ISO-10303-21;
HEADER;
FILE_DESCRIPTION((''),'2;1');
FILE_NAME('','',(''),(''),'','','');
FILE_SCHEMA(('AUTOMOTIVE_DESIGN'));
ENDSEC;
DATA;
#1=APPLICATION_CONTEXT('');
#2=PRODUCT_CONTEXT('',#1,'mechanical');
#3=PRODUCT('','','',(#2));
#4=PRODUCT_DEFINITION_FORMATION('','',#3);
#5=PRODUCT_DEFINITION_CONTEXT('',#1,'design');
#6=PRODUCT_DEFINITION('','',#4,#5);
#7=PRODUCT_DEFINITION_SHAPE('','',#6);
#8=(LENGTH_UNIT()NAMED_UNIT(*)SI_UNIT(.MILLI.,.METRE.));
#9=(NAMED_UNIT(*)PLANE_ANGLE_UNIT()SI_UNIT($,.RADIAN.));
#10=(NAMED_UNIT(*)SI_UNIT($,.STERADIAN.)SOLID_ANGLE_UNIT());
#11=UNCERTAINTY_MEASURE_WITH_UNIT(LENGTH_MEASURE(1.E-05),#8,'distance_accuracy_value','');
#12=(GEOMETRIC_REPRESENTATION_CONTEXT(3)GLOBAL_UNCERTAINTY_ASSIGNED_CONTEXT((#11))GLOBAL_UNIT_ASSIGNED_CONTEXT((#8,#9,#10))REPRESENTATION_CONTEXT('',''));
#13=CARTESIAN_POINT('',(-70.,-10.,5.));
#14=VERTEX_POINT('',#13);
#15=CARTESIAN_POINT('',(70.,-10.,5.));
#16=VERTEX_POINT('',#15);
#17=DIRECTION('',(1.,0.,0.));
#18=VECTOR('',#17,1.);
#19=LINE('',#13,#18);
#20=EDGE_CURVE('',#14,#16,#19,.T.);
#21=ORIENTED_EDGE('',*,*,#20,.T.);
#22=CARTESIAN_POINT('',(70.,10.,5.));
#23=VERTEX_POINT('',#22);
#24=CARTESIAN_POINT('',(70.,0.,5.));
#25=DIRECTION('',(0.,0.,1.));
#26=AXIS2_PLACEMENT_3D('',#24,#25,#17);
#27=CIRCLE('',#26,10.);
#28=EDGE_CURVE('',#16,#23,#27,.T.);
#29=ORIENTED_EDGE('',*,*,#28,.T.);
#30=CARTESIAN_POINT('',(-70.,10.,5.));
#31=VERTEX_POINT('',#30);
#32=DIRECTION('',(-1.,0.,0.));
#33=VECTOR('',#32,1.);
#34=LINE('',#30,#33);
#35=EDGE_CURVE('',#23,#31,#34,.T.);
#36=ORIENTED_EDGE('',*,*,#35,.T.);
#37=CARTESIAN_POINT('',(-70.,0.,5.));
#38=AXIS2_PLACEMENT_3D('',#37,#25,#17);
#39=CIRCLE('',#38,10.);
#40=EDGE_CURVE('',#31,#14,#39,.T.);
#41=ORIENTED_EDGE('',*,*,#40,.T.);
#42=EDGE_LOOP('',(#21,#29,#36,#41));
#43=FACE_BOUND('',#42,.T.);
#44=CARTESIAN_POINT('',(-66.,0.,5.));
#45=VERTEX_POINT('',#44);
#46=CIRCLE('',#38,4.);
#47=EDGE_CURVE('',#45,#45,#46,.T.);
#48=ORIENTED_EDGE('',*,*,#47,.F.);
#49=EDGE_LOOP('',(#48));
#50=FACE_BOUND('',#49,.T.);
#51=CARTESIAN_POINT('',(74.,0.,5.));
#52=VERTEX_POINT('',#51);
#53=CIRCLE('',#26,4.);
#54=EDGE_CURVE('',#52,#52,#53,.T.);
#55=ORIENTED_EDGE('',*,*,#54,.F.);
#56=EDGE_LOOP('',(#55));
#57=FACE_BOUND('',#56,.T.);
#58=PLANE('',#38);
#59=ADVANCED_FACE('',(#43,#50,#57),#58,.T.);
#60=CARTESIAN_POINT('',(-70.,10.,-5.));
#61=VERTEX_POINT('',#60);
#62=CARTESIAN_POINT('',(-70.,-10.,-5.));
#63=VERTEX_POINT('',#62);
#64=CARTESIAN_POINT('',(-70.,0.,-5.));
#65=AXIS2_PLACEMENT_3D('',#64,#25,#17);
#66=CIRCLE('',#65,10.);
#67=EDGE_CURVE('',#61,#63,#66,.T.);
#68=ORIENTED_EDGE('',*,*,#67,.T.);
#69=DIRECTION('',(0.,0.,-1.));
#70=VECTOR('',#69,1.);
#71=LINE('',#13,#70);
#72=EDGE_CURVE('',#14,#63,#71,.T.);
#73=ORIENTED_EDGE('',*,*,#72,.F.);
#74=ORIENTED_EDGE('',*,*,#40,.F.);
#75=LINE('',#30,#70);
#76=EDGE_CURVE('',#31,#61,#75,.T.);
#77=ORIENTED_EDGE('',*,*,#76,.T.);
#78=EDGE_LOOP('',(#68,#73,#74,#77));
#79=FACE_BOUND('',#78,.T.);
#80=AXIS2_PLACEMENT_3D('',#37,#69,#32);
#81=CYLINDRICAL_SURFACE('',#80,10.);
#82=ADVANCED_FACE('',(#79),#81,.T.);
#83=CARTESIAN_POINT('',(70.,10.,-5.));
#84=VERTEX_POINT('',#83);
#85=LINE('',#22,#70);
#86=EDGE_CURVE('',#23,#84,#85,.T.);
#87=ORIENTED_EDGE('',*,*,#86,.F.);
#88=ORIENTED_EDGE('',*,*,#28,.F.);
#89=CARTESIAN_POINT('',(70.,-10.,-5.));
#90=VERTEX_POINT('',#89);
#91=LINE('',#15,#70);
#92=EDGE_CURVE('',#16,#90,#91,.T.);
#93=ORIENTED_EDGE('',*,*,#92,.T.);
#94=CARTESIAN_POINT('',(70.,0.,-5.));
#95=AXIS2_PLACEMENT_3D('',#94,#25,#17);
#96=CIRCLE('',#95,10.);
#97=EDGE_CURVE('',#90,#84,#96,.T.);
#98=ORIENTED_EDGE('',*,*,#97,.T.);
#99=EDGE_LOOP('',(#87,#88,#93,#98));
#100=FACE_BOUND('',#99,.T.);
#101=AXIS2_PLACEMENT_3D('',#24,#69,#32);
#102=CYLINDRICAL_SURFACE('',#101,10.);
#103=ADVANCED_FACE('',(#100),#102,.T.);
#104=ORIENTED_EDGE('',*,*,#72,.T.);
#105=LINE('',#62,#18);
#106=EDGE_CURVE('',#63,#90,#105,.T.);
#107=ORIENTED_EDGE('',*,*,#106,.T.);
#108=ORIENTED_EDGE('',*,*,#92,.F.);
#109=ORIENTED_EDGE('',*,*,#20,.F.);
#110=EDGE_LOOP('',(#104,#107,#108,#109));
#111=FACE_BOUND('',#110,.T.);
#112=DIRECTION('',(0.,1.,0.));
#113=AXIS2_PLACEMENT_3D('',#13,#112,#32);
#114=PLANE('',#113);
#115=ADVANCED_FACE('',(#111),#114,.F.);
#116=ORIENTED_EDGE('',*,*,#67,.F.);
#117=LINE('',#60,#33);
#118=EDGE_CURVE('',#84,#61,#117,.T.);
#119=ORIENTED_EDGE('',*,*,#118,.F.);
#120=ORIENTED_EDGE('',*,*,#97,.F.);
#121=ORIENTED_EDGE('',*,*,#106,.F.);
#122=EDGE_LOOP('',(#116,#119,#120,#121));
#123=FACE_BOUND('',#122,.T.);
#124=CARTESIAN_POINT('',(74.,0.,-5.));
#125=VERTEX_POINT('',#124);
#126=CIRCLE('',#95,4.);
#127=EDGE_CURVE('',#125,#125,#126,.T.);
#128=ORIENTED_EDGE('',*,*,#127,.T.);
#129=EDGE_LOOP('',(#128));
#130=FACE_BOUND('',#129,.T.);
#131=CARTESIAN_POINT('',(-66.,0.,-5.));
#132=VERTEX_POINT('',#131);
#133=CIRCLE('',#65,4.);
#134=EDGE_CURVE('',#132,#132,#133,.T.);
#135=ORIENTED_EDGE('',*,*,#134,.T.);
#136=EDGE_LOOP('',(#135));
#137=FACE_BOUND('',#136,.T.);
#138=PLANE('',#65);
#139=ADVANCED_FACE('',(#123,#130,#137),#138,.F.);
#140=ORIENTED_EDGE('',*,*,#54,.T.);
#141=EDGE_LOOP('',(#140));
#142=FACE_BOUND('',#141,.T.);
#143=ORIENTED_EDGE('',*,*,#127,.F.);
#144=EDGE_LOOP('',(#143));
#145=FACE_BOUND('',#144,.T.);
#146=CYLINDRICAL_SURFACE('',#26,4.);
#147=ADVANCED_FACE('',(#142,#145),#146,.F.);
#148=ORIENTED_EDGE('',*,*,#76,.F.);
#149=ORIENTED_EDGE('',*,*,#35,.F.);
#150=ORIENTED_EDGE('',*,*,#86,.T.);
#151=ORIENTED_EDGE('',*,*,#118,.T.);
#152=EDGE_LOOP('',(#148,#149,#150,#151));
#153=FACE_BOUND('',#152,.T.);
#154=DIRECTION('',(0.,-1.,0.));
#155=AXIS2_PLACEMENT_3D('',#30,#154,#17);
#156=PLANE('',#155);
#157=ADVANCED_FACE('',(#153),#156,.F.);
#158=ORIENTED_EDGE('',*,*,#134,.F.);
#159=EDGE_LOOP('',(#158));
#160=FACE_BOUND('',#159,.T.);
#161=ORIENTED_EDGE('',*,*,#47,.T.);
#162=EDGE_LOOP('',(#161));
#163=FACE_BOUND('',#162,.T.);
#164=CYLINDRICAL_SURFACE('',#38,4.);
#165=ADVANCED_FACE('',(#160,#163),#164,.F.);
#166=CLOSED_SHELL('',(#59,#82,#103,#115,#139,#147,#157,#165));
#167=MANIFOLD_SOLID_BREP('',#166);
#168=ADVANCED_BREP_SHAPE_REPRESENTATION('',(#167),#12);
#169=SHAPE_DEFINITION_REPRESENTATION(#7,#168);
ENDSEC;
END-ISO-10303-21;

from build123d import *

# Parameters (mm, degrees)
BOSS_EXTRUDE1_DEPTH   = 5
F_8_0MM_DOWEL_HOLE1_D = 8


with BuildPart() as part:
    # Sketch1 → Boss-Extrude1 (new, symmetric)
    with BuildSketch(Plane.XY):
        with BuildLine():
            Line((-70, 10), (70, 10))
            ThreePointArc((70, 10), (80, 0), (70, -10))
            Line((70, -10), (-70, -10))
            ThreePointArc((-70, -10), (-80, 0), (-70, 10))
        make_face()
    extrude(amount=BOSS_EXTRUDE1_DEPTH, both=True)

    # Ø8.0mm Dowel Hole1 (through all)
    with Locations(Plane.XY.offset(5)):
        with Locations((-70, 0), (70, 0)):
            Hole(F_8_0MM_DOWEL_HOLE1_D / 2)


solid = part.part
